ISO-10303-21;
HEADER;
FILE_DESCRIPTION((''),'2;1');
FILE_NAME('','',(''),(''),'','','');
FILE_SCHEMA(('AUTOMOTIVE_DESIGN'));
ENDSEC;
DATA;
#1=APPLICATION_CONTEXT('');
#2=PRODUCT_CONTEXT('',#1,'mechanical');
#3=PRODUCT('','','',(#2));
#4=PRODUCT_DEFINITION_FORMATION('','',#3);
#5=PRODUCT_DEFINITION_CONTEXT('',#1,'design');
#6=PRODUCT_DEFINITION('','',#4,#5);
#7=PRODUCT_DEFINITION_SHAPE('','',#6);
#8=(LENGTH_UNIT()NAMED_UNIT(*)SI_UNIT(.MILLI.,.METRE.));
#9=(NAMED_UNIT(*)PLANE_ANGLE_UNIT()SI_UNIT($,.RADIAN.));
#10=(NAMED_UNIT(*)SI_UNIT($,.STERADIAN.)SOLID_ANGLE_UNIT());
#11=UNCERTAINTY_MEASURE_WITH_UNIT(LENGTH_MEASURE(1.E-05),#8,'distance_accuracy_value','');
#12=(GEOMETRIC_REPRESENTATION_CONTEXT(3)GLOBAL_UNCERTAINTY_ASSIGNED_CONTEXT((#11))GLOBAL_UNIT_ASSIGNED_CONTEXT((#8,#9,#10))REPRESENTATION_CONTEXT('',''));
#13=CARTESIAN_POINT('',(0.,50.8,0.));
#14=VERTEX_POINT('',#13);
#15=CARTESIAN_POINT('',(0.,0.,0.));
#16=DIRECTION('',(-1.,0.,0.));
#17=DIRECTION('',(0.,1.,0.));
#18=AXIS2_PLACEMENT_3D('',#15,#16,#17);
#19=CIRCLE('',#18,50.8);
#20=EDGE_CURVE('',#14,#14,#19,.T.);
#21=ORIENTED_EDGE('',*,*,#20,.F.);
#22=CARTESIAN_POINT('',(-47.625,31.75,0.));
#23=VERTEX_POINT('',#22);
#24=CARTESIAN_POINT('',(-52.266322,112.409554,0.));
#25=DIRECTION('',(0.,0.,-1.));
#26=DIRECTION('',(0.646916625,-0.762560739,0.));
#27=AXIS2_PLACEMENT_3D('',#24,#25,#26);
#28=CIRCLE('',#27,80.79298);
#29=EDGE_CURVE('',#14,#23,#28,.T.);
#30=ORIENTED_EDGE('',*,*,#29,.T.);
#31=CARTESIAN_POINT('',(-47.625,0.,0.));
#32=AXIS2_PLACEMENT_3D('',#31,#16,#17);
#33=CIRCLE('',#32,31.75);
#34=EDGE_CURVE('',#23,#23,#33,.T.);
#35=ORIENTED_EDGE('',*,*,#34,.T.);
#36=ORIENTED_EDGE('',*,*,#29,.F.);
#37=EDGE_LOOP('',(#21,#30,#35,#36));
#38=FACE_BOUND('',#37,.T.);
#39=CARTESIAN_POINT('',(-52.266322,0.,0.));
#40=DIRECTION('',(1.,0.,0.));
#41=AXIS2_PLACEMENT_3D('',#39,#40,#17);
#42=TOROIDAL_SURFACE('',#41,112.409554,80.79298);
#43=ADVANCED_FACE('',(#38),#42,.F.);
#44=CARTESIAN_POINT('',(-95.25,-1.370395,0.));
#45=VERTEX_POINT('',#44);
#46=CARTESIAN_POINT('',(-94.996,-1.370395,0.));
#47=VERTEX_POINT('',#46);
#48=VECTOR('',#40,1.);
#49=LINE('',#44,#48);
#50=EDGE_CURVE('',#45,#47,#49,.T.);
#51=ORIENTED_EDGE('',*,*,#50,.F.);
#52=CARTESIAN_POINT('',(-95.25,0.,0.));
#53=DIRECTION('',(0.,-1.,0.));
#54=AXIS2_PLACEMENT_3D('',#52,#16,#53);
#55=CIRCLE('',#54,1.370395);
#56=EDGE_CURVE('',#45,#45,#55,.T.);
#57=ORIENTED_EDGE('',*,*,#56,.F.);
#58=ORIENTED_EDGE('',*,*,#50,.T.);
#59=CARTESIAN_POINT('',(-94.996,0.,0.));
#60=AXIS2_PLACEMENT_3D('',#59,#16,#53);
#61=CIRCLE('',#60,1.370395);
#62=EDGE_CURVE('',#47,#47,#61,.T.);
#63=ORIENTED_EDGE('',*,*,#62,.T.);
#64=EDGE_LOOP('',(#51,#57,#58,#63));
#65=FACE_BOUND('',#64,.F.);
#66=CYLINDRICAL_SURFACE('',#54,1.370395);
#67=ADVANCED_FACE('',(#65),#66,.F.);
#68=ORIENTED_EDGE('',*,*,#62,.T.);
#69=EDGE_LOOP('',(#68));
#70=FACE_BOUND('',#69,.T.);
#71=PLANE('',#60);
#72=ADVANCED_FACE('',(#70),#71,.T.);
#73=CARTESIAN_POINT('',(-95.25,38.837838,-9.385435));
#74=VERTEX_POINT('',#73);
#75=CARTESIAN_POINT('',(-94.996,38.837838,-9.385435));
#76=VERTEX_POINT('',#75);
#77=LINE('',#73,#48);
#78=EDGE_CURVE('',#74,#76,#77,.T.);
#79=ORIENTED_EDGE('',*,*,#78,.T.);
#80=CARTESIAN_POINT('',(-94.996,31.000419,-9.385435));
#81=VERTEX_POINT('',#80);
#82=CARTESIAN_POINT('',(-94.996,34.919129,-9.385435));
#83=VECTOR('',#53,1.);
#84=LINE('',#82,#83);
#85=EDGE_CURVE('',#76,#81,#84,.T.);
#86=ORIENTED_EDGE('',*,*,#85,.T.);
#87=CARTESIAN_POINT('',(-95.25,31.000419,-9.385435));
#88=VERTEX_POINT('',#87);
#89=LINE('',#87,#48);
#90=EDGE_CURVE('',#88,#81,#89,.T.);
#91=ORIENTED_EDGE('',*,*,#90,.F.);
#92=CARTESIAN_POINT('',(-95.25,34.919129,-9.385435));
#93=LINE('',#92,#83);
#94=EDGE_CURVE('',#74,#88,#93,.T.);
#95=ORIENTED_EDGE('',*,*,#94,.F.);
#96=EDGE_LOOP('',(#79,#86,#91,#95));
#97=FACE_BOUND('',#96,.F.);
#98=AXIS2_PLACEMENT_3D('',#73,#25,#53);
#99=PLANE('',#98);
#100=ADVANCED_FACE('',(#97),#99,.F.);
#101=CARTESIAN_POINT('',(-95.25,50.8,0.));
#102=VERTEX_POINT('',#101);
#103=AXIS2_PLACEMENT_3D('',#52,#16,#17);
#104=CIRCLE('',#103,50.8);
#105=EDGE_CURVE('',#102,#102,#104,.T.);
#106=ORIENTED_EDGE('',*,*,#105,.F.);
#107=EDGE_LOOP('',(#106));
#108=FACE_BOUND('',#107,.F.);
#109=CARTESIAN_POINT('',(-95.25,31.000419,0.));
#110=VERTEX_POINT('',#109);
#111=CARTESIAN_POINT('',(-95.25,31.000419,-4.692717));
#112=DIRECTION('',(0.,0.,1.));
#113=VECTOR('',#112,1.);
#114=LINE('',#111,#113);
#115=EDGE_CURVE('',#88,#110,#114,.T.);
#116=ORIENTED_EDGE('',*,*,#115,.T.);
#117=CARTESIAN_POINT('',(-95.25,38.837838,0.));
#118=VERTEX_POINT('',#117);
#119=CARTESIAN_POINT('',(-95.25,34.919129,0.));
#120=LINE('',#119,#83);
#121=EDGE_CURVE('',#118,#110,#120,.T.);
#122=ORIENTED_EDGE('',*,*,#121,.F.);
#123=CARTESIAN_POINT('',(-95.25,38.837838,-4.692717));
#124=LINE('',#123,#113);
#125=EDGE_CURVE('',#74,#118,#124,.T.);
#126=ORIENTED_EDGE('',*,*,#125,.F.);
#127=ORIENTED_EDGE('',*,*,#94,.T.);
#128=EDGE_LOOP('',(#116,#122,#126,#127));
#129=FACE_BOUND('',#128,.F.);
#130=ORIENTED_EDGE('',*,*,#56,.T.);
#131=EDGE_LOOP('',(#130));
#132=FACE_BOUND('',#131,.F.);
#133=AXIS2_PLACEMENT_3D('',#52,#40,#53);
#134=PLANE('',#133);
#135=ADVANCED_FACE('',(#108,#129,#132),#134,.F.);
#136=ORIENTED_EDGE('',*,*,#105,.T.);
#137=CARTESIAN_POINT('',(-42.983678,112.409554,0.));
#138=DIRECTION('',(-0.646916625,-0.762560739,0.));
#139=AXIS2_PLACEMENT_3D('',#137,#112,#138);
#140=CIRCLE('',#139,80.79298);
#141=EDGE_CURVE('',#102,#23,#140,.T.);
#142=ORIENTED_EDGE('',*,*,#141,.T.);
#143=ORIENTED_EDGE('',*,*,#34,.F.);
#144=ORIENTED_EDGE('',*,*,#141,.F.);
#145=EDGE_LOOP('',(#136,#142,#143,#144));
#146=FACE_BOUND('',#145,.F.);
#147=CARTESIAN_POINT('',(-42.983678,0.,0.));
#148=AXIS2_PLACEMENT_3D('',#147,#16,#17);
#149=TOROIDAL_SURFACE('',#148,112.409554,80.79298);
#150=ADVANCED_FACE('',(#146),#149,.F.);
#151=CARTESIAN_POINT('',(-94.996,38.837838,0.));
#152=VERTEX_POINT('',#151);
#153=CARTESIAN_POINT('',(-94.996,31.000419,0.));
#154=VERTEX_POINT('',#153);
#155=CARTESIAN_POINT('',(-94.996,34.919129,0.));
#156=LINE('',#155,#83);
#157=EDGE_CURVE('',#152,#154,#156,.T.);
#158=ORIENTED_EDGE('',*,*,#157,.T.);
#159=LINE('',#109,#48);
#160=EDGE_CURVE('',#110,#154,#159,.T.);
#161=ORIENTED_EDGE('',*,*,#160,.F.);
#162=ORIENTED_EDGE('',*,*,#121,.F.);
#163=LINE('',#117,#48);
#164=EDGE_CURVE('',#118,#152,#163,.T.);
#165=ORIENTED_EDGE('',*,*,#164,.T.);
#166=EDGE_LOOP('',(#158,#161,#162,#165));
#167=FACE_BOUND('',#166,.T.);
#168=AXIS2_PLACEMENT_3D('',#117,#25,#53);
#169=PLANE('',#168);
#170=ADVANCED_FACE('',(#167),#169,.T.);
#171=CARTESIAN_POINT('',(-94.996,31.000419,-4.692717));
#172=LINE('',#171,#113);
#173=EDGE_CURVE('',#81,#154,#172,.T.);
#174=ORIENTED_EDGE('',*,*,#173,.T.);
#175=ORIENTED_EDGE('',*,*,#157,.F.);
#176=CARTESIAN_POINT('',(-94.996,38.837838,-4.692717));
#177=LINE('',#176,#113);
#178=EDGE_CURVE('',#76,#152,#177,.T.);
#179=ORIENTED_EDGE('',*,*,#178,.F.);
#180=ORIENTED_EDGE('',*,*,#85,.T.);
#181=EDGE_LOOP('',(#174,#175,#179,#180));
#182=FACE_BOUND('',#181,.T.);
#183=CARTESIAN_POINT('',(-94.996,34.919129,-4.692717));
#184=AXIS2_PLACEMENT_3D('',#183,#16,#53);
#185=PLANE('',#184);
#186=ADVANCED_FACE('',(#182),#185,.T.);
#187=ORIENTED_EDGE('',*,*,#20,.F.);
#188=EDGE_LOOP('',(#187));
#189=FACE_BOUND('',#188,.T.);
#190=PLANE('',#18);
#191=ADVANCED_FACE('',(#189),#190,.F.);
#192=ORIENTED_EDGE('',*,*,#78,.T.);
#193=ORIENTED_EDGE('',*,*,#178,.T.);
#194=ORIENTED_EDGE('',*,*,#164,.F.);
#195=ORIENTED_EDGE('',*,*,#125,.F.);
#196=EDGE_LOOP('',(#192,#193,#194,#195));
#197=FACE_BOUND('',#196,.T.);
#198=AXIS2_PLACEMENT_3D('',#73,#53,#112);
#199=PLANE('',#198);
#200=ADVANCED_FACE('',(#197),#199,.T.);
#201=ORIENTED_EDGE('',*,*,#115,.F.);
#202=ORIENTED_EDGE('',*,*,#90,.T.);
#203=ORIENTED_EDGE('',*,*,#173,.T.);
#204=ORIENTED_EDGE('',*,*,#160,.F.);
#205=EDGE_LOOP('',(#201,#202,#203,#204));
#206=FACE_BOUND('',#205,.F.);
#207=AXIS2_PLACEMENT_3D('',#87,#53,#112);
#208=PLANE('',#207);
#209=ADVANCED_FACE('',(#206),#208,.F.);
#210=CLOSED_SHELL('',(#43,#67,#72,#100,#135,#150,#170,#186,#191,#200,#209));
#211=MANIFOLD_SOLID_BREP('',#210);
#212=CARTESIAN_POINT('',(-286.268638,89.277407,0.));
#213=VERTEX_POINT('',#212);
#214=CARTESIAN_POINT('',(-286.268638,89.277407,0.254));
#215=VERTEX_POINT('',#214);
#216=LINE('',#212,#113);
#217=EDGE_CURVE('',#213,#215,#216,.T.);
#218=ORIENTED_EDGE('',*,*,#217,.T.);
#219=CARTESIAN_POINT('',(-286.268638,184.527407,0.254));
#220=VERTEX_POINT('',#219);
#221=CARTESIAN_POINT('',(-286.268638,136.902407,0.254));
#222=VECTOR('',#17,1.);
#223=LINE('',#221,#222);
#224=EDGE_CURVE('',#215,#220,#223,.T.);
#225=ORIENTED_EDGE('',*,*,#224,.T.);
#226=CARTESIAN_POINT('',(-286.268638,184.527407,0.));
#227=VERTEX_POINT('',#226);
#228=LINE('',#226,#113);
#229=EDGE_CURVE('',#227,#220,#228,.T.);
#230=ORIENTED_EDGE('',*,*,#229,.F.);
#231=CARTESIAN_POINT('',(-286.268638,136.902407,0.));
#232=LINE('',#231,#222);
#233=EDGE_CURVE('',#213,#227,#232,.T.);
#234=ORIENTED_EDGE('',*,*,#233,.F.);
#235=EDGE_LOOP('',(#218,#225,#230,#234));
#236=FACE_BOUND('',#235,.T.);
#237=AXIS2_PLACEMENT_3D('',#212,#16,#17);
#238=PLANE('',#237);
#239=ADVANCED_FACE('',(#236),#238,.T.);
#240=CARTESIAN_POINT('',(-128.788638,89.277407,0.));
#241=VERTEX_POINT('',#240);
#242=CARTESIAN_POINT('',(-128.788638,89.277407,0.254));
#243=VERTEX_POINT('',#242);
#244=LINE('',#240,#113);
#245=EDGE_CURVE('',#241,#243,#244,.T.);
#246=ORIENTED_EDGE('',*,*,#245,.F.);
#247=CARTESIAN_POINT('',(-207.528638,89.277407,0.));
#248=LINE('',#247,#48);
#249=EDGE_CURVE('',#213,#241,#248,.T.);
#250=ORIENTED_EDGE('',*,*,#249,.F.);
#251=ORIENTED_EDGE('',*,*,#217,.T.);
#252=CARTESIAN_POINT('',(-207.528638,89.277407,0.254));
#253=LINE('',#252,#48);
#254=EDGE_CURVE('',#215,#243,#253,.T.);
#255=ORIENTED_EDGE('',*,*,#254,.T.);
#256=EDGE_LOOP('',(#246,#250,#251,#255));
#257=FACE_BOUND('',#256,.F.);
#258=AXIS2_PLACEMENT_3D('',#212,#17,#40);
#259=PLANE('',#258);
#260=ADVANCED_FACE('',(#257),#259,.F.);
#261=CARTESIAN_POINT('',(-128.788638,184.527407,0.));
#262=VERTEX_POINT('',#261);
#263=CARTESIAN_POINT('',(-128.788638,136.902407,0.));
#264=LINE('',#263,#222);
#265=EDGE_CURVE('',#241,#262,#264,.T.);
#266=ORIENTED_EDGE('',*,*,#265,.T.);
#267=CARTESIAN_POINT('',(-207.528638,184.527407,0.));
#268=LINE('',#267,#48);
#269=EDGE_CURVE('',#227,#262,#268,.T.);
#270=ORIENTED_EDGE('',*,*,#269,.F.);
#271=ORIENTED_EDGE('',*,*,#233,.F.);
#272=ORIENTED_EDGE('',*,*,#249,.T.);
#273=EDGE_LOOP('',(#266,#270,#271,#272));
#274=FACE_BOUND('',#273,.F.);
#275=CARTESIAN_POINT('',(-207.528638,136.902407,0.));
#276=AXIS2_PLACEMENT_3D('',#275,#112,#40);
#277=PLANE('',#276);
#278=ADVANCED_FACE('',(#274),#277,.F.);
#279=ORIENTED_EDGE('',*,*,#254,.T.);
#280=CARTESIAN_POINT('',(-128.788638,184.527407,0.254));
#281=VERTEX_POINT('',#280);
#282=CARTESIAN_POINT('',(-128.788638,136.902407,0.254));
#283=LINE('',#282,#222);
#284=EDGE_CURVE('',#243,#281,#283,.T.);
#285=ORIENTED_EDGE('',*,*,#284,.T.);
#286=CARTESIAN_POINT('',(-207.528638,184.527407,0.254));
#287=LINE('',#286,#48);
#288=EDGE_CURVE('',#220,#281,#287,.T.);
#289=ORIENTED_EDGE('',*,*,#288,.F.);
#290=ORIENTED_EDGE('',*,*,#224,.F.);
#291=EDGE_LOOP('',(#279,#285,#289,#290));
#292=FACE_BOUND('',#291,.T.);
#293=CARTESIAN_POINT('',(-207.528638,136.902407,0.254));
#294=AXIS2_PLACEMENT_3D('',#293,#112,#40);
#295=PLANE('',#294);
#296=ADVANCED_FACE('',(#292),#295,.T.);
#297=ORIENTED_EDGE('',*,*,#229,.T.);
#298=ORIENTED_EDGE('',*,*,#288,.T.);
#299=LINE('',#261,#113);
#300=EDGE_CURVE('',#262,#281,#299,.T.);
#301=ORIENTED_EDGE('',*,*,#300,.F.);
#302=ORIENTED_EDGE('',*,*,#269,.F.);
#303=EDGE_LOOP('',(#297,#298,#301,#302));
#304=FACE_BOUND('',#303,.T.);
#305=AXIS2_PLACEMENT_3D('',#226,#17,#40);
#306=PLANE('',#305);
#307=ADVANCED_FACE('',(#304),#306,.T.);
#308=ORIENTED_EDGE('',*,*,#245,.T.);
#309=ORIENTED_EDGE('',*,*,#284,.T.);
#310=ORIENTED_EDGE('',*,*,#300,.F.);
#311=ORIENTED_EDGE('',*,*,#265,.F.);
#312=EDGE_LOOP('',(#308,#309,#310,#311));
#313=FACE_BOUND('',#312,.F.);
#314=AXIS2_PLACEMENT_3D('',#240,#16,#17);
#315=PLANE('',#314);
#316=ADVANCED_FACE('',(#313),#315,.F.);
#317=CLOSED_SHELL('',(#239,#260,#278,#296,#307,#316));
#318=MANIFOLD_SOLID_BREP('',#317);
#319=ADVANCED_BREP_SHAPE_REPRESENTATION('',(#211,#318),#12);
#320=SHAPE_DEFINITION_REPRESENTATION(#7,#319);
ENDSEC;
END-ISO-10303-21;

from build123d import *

# Parameters (mm, degrees)
F3_W     = 7.837419
F3_H     = 9.385435
F4_DEPTH = 0.254
F5_R     = 1.370395
F6_DEPTH = 0.254
F7_W     = 157.48
F7_H     = 95.25
F8_DEPTH = 0.254


with BuildPart() as f1:
    # F0 (on Top) → F1 (revolve)
    with BuildSketch(Plane.XY):
        with BuildLine():
            Line((-47.625, 0), (0, 0))
            Line((0, 0), (0, 50.8))
            ThreePointArc((0, 50.8), (-22.260562, 37.395156), (-47.625, 31.75))
            Line((-47.625, 31.75), (-47.625, 0))
        make_face()
    revolve(axis=Axis((-23.8125, 0, 0), (-1, 0, 0)))

    # F2: F1 across face


with BuildPart() as f1_1:
    add(f1.part)
    add(f1.part.mirror(Plane(origin=(-47.625, 0, 0), x_dir=(0, -1, 0), z_dir=(-1, 0, 0))))

    # F3 (on face) → F4 (cut)
    with BuildSketch(Plane(origin=(-95.25, 0, 0), x_dir=(0, -1, 0), z_dir=(-1, 0, 0))):
        with Locations((-34.919129, -4.692717)):
            Rectangle(F3_W, F3_H)
    extrude(amount=-F4_DEPTH, mode=Mode.SUBTRACT)

    # F5 (on face) → F6 (cut)
    with BuildSketch(Plane(origin=(-95.25, 0, 0), x_dir=(0, -1, 0), z_dir=(-1, 0, 0))):
        Circle(F5_R)
    extrude(amount=-F6_DEPTH, mode=Mode.SUBTRACT)


with BuildPart() as f8:
    # F7 (on Top) → F8 (new body)
    with BuildSketch(Plane.XY):
        with Locations((-207.528638, 136.902407)):
            Rectangle(F7_W, F7_H)
    extrude(amount=F8_DEPTH)


solid = Compound([f1_1.part, f8.part])
